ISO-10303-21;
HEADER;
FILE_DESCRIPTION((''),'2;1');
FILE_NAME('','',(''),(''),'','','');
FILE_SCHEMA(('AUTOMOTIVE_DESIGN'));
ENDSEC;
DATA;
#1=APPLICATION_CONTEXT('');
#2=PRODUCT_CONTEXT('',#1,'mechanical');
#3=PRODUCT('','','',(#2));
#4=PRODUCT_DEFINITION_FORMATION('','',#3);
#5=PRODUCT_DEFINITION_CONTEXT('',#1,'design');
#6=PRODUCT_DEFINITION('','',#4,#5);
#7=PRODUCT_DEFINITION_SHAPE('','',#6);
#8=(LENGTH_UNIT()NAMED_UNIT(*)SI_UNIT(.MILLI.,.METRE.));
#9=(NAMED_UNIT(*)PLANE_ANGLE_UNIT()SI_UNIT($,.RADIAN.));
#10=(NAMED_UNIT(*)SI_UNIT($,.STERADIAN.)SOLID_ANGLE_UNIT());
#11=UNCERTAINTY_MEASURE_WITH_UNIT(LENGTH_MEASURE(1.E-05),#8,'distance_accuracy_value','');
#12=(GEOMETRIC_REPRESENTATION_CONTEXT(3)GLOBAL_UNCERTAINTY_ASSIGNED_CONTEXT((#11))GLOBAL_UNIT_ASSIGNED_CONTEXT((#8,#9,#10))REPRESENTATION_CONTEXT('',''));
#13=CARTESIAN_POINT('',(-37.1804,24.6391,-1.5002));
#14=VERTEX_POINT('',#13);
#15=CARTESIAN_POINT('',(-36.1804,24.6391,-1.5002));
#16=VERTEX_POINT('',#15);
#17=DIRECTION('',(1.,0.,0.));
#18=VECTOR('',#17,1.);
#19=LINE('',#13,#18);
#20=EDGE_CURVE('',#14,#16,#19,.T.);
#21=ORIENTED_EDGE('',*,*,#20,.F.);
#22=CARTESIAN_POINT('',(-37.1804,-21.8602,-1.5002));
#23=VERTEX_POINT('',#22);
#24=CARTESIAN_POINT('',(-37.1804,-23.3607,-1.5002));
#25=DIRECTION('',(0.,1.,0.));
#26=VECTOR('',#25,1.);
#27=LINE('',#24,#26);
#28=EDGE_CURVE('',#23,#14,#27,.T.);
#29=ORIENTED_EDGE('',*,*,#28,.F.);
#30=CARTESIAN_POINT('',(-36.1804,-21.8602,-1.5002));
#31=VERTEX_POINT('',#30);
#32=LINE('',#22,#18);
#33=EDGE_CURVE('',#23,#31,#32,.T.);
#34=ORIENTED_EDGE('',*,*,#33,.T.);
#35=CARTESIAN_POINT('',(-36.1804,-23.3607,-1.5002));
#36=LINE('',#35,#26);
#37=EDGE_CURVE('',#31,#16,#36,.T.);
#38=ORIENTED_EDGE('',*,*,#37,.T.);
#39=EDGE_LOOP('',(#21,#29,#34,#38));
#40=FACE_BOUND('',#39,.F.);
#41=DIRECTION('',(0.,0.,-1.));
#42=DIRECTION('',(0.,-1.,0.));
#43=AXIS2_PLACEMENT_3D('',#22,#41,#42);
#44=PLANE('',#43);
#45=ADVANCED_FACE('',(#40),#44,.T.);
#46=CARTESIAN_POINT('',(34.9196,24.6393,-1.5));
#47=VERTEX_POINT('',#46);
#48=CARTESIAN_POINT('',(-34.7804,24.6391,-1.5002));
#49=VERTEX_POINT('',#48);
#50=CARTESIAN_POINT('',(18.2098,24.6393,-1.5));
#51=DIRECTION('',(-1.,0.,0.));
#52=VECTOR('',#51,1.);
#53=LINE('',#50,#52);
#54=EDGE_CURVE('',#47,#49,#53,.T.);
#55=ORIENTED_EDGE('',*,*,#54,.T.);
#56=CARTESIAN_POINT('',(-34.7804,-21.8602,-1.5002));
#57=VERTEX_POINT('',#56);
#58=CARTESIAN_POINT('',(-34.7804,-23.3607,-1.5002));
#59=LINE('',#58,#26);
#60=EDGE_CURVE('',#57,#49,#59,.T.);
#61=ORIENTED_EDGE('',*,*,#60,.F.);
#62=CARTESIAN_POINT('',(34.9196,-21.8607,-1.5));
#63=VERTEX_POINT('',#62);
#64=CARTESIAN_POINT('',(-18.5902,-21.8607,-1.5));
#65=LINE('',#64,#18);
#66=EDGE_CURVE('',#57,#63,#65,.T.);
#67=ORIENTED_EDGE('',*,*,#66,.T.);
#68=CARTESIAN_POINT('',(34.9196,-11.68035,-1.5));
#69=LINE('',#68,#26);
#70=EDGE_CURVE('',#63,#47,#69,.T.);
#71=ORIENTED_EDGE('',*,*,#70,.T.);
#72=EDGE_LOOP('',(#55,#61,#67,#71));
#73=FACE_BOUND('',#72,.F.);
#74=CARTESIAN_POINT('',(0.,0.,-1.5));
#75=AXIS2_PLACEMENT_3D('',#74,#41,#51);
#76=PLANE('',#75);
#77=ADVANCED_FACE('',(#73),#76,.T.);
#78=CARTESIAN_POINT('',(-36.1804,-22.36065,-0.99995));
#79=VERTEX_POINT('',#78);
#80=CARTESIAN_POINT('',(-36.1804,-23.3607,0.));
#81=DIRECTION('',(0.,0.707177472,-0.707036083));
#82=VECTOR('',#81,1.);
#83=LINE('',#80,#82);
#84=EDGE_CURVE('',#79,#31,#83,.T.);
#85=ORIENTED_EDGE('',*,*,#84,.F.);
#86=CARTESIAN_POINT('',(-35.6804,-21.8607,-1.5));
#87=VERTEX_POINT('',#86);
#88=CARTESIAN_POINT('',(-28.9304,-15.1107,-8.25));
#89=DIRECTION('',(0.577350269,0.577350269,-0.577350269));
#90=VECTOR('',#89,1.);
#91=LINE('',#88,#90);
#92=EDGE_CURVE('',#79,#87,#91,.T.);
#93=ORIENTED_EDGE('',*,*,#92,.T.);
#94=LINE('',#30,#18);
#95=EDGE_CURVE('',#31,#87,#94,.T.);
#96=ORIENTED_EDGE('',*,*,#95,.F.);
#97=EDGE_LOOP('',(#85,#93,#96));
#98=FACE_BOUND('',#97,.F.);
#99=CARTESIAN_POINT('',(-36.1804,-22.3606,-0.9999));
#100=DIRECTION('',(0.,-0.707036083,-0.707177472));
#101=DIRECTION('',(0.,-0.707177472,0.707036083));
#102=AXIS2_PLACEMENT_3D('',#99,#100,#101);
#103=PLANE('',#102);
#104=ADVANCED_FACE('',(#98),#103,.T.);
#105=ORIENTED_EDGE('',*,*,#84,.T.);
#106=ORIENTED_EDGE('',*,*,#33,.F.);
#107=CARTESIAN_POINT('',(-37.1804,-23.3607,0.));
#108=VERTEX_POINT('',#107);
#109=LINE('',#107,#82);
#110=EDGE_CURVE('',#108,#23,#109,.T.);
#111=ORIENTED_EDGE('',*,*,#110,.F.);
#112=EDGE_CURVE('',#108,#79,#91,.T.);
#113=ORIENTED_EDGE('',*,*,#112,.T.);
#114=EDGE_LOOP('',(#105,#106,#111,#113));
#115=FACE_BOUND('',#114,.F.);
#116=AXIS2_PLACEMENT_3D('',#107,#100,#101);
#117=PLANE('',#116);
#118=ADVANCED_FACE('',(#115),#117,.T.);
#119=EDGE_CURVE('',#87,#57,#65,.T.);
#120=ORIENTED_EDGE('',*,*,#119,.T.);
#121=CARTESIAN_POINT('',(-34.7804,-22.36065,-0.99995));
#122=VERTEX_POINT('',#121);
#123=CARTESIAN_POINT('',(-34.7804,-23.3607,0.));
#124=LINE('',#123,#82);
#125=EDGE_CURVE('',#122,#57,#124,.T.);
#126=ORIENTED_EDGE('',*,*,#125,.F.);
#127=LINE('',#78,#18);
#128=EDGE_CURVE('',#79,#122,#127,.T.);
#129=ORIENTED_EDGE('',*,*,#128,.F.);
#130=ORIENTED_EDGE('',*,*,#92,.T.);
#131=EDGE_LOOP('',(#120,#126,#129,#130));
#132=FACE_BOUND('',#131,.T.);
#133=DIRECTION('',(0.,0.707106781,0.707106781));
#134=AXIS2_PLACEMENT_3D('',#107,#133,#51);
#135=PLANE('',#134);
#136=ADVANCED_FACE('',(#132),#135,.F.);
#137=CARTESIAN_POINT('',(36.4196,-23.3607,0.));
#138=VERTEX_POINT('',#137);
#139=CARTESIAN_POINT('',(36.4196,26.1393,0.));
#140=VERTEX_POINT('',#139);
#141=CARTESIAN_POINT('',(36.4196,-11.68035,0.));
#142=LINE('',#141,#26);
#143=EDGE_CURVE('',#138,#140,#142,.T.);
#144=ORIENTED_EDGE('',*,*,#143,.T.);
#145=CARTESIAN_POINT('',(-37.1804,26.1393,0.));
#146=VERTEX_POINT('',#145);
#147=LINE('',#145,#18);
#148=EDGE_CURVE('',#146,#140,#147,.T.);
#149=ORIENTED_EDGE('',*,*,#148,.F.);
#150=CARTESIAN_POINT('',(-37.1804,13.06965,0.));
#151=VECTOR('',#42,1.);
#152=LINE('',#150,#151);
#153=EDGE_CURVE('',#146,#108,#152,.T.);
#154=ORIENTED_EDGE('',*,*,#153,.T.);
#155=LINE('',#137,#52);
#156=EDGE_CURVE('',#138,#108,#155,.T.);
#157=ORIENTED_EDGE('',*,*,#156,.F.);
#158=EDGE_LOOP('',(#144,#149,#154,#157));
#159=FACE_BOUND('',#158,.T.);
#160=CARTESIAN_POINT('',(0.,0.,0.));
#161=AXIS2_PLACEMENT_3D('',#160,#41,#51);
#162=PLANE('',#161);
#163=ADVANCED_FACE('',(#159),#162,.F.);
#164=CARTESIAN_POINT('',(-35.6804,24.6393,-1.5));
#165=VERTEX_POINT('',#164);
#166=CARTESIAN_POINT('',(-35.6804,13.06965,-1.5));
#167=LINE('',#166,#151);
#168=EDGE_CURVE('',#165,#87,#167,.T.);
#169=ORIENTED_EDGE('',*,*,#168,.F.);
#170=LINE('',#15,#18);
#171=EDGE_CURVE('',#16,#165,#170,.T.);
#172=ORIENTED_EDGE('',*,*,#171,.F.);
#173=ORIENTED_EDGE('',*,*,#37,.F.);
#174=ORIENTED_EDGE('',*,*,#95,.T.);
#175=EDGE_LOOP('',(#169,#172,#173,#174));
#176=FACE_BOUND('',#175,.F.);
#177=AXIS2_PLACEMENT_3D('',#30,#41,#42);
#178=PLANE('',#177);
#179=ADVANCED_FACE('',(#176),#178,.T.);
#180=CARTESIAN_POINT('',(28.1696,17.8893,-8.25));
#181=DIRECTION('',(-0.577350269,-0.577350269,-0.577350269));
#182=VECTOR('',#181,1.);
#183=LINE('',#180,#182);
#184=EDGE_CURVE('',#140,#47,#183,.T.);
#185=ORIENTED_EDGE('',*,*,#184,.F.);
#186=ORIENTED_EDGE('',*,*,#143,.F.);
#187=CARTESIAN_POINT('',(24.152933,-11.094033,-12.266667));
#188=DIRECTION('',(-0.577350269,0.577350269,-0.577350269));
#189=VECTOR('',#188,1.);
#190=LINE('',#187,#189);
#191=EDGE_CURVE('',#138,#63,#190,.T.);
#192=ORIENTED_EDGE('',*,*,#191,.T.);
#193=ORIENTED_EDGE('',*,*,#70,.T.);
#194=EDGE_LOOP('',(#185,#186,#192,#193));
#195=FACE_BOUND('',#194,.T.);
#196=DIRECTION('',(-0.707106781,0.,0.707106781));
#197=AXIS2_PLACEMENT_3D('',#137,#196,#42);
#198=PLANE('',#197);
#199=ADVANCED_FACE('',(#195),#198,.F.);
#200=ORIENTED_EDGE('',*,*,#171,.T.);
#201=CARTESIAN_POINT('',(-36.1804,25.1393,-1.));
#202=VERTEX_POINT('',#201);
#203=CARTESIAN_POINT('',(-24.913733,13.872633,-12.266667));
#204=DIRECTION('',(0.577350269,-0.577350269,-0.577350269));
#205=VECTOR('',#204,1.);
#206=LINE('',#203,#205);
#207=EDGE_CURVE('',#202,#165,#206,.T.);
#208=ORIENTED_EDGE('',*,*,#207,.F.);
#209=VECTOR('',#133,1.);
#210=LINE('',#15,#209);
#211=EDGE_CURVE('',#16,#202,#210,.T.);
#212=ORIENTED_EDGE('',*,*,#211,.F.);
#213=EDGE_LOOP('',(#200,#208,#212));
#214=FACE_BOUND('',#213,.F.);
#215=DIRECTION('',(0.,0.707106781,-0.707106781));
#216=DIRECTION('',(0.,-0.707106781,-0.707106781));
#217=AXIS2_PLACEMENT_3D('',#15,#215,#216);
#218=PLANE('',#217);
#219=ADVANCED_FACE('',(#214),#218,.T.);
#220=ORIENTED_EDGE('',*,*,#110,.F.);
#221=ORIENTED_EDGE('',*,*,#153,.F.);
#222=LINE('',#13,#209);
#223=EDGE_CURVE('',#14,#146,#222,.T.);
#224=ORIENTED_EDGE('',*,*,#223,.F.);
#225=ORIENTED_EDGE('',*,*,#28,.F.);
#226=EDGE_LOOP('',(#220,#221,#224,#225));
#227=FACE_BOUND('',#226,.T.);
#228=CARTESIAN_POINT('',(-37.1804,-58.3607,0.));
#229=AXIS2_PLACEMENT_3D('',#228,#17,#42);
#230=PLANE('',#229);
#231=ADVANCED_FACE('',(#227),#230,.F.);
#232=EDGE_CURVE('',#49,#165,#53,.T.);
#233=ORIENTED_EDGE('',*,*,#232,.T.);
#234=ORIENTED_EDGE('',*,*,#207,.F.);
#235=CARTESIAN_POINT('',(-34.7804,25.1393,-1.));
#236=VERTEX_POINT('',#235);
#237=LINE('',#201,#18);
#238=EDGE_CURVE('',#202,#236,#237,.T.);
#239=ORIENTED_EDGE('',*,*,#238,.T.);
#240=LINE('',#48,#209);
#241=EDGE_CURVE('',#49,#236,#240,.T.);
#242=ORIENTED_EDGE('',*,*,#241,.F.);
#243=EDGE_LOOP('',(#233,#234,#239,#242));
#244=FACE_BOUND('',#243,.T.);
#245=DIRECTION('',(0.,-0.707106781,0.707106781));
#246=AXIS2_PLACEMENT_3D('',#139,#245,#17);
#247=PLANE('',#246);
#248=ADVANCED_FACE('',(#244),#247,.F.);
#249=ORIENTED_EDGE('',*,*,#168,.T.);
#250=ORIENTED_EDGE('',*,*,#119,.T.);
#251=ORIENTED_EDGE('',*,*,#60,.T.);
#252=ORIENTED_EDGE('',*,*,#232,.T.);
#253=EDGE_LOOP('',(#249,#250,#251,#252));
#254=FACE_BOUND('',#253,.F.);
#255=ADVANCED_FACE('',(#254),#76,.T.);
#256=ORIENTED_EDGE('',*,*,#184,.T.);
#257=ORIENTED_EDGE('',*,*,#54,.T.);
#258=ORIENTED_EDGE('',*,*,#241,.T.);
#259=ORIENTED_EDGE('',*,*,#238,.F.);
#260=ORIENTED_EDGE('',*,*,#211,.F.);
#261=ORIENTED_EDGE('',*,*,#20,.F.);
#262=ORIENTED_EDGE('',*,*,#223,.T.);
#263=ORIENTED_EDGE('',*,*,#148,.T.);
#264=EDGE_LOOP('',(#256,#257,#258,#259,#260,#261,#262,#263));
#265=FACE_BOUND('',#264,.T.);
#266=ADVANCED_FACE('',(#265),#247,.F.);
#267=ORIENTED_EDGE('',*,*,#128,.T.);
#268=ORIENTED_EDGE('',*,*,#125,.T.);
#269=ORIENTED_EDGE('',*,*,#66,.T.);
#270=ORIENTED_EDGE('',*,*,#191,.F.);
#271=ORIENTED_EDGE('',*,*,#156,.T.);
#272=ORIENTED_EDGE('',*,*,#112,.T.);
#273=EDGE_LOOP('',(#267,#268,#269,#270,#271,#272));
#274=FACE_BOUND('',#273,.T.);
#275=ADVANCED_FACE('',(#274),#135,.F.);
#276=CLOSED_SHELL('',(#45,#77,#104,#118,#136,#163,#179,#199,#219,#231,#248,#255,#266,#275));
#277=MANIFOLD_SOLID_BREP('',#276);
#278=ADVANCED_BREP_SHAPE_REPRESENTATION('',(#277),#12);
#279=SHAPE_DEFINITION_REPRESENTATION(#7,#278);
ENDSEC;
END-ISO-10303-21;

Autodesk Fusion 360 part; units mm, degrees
sketch "LED window" plane through (0, 0, 0) normal (0, 0, 1) x (1, 0, 0)
  line L0 (23.6586, 17.7446) -> (-28.2697, 17.7446)
  line L1 (-28.2697, 17.7446) -> (-28.2697, -2.7419)
  line L2 (-28.2697, -2.7419) -> (23.6586, -2.7419)
  line L3 (23.6586, -2.7419) -> (23.6586, 17.7446)
sketch "Bottom" plane through (0, 0, 0) normal (0, 0, 1) x (1, 0, 0)
  line L0 (-37.1804, -23.3607) -> (36.4196, -23.3607)
  line L1 (36.4196, -23.3607) -> (36.4196, 26.1393)
  line L2 (36.4196, 26.1393) -> (-37.1804, 26.1393)
  line L3 (-37.1804, 26.1393) -> (-37.1804, -23.3607)
  dimension "d148" = 73.6
  dimension "d149" = 49.5
extrude "Extrude32" add sketch "Bottom" along normal blind 1.5 draft -45 makes body 1
ref_plane "WorkPlane3" through (-37.1804, 1.3893, 0) normal (1, 0, 0) x (0, -1, 0)
sketch "Sketch23" plane through (-37.1804, -58.3607, 0) normal (1, 0, 0) x (0, 1, 0)
  line L0 (84.5, 0) -> (35, 0)
  line L1 (35, 0) -> (35, 1.5002)
  line L2 (35, 1.5002) -> (84.5, 1.5002)
  line L3 (84.5, 1.5002) -> (84.5, 0)
  line L4 (35, 0) -> (36.5005, 1.5002)
  line L5 (82.9998, 1.5002) -> (84.5, 1.5002)
  line L6 (82.9998, 1.5002) -> (84.5, 0)
  line L7 (84.5, 0) -> (84.5, 1.5002)
  point P0 (84.5, 0)
  dimension "d167" = 49.5
extrude "Extrude33" add sketch "Sketch23" along normal blind 1 contours L0 L2 L4 L6 bodies 1
extrude "Extrude34" add 1 faces at (-36.1804, -6.3605, 1.1667) along direction (1, 0, 0) blind 1.4 on bodies 1 bodies 1
mirror "Mirror1" about plane through (0, 0, 0) normal (0, 0, 1) of bodies 1 makes body 2
hidden bodies 1
equation "WINDOW_H = 7 mm"
equation "WINDOW_W = 4 mm"
equation "TOP_H = 1.5 mm"
equation "WALL = 18.5 mm + TOP_H"
equation "TOP_Z = 75.5 mm"
equation "TOP_HEIGHT = 52 mm"
equation "TOP_WIDTH = 75.5 mm"
equation "WALL_THICK = TOP_H"
equation "OUTER_DIAM = 4 mm"
equation "INNER_DIAM = 2.5 mm"
equation "CIRCLE_X_OFFSET = 41 mm"
equation "OUTER_HEIGHT = 6.4 mm + TOP_H"
equation "INNER_HEIGHT = OUTER_HEIGHT + 3.5 mm"
equation "d148 = TOP_WIDTH - ( WALL_THICK * 2 ) + 1.1 mm"
equation "d149 = TOP_HEIGHT - WALL_THICK * 2 - 0.5 mm"
equation "d150 = WALL_THICK"
equation "d167 = TOP_HEIGHT - WALL_THICK * 2 - 0.5 mm"
